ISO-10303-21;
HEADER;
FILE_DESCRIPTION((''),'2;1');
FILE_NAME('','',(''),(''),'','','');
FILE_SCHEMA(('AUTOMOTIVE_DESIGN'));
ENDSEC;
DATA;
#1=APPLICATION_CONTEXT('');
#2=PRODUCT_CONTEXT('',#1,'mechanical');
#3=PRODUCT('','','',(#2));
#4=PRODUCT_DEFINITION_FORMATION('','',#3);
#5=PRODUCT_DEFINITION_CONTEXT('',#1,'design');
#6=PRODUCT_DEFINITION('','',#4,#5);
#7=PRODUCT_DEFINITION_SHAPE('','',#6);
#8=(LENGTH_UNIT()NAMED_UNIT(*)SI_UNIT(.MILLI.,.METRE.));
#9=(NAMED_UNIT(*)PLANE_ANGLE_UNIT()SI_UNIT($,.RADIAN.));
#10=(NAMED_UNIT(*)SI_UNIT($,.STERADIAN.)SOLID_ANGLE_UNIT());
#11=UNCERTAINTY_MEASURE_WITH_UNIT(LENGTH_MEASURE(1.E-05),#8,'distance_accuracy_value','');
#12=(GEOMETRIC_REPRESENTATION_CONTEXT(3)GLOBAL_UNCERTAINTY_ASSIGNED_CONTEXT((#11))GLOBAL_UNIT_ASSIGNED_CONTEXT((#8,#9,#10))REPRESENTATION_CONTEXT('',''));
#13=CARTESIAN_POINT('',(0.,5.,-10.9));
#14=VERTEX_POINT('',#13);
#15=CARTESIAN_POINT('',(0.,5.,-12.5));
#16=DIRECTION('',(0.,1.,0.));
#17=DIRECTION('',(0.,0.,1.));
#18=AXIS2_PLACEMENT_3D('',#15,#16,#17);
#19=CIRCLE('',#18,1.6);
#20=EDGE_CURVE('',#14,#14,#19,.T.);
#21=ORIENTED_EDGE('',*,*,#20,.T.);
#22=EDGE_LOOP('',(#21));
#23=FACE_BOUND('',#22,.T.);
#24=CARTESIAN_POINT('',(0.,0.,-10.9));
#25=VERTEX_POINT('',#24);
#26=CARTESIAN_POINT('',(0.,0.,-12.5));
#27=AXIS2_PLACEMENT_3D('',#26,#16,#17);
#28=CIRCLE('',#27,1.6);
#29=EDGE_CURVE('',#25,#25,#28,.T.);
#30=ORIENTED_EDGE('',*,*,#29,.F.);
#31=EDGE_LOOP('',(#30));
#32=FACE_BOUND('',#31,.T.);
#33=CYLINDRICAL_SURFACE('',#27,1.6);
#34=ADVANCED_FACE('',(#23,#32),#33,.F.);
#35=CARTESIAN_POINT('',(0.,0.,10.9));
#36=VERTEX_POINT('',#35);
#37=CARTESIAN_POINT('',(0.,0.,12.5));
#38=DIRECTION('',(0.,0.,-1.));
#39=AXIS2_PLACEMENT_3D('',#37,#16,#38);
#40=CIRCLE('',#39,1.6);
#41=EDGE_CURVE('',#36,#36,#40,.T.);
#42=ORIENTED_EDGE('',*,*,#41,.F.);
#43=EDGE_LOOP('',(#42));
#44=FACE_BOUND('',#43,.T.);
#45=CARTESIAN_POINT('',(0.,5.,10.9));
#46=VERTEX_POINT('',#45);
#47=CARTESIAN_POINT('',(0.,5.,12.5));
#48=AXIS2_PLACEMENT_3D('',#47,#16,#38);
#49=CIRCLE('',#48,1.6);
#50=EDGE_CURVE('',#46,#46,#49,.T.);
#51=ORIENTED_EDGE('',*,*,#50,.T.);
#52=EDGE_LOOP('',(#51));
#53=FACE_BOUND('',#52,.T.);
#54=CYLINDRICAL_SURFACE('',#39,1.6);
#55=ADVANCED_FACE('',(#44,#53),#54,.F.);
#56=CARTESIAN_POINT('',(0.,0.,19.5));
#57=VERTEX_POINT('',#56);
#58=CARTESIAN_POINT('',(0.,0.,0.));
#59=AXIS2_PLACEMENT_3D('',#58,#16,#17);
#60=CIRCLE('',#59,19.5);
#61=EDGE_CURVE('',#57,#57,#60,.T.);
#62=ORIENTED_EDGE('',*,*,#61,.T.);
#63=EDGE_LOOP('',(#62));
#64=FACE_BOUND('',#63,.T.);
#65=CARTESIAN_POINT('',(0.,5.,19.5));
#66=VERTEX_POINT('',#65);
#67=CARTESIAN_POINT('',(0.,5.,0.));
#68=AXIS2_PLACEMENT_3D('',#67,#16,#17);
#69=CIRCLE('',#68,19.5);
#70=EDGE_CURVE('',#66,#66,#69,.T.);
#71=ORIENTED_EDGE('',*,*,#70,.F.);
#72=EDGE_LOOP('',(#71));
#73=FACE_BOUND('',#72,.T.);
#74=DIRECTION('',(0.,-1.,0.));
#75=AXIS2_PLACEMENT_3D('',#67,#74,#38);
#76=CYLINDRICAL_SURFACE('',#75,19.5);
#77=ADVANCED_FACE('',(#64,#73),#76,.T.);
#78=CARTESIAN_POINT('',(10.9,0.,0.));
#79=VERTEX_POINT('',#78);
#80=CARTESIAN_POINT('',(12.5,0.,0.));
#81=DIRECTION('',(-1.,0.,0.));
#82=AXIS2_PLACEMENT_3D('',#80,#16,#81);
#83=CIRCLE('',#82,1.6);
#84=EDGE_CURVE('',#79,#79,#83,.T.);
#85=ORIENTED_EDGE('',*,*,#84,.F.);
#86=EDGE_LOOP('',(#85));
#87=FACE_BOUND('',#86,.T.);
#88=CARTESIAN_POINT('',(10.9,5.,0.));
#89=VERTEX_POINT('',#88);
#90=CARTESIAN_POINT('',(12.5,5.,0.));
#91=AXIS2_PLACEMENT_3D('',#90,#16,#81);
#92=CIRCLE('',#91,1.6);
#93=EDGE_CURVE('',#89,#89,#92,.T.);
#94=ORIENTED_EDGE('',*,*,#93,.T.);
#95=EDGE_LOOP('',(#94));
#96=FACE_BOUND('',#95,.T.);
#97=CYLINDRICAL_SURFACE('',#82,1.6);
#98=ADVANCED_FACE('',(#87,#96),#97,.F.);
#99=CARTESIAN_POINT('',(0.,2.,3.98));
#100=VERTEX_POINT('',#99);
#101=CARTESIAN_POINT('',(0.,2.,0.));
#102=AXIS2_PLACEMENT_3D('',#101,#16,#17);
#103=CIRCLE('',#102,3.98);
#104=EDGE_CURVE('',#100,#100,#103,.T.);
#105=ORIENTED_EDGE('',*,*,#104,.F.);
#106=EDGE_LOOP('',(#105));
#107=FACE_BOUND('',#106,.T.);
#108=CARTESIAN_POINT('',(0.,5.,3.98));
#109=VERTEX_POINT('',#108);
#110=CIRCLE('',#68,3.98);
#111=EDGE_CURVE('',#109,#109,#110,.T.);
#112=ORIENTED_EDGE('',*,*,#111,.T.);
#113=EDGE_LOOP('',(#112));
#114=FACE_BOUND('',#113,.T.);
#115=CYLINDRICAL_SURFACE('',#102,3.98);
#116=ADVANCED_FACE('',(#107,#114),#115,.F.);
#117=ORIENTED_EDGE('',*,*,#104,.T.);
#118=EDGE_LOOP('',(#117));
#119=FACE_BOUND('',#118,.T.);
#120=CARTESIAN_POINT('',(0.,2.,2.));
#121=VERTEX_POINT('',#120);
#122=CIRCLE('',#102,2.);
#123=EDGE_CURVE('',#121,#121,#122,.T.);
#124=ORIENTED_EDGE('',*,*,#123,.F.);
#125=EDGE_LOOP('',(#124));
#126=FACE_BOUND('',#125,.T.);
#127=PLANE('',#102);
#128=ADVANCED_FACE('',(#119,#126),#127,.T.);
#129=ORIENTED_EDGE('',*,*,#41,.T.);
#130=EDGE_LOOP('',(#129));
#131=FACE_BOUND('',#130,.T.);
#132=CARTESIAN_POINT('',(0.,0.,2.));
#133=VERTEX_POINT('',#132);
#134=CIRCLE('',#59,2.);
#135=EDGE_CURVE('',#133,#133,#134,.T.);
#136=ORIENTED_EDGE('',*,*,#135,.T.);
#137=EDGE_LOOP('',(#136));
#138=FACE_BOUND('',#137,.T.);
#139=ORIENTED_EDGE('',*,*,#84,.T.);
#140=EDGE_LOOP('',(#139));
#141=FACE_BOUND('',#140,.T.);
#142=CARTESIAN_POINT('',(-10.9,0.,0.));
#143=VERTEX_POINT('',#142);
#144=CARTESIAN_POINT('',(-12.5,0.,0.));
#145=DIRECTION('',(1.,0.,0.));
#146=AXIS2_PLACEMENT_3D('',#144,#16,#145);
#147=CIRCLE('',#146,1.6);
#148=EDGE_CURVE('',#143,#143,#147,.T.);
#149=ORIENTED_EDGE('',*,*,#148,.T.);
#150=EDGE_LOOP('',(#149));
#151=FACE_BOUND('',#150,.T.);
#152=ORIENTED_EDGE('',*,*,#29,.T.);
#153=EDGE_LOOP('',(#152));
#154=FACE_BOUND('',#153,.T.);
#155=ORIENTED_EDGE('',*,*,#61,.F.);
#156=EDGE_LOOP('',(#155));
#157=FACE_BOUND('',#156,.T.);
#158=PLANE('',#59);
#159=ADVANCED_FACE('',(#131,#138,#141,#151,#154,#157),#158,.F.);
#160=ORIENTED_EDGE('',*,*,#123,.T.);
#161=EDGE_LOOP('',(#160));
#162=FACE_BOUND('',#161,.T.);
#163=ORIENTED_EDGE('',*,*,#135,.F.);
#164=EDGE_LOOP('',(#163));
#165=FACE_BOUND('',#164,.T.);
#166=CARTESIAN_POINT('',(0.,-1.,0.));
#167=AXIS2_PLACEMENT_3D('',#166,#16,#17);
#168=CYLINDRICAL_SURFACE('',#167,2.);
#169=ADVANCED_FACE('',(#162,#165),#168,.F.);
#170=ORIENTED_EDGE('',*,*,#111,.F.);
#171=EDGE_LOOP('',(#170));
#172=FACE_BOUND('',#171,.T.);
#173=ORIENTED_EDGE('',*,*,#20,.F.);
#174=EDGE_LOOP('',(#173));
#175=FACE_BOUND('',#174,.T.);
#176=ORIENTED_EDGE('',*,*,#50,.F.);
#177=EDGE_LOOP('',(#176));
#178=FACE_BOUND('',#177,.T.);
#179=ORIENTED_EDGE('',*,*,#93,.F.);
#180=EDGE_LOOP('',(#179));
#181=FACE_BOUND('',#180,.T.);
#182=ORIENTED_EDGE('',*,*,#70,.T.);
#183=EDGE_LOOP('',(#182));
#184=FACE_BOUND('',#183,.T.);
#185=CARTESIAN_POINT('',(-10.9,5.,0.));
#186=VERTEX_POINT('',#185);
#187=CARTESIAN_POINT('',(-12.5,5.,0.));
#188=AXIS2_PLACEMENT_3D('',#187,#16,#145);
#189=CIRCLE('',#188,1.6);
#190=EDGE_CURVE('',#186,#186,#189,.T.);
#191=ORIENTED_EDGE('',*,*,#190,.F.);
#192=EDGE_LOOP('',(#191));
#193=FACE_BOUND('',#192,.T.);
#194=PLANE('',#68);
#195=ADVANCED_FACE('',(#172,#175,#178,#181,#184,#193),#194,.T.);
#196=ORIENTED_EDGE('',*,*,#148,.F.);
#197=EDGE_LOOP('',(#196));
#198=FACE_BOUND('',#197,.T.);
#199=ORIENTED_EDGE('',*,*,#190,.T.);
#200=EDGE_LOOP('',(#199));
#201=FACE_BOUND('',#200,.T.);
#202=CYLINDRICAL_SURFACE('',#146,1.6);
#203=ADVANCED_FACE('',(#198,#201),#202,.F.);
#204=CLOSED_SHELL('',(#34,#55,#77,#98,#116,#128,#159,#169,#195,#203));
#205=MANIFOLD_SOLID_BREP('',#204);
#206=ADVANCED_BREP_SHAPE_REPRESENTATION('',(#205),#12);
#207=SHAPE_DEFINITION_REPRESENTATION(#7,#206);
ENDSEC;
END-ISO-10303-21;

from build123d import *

# Parameters (mm, degrees)
SKETCH1_R           = 19.5
BOSS_EXTRUDE1_DEPTH = 5
SKETCH2_R           = 3.98
CUT_EXTRUDE1_DEPTH  = 3
SKETCH3_R           = 2
CUT_EXTRUDE2_DEPTH  = 3
SKETCH4_R           = 1.6
CUT_EXTRUDE3_DEPTH  = 6
CIRPATTERN1_COUNT   = 4


with BuildPart() as part:
    # Sketch1 → Boss-Extrude1 (new body)
    with BuildSketch(Plane(origin=(0, 0, 0), x_dir=(1, 0, 0), z_dir=(0, 1, 0))):
        Circle(SKETCH1_R)
    extrude(amount=BOSS_EXTRUDE1_DEPTH)

    # Sketch2 → Cut-Extrude1 (cut)
    with BuildSketch(Plane(origin=(0, 5, 0), x_dir=(1, 0, 0), z_dir=(0, 1, 0))):
        Circle(SKETCH2_R)
    extrude(amount=-CUT_EXTRUDE1_DEPTH, mode=Mode.SUBTRACT)

    # Sketch3 → Cut-Extrude2 (cut)
    with BuildSketch(Plane(origin=(0, 2, 0), x_dir=(1, 0, 0), z_dir=(0, 1, 0))):
        Circle(SKETCH3_R)
    extrude(amount=-CUT_EXTRUDE2_DEPTH, mode=Mode.SUBTRACT)

    # Sketch4 → Cut-Extrude3 (cut, through all)
    with BuildSketch(Plane(origin=(0, 5, 0), x_dir=(1, 0, 0), z_dir=(0, 1, 0))):
        with Locations((0, 12.5)):
            Circle(SKETCH4_R)
    cut_extrude3 = extrude(amount=-CUT_EXTRUDE3_DEPTH, mode=Mode.SUBTRACT)

    # CirPattern1: Cut-Extrude3 ×4 about axis
    cirpattern1_axis = Axis((0, 0, 0), (0, 1, 0))
    for i in range(1, CIRPATTERN1_COUNT):
        add(cut_extrude3.rotate(cirpattern1_axis, i * 360 / CIRPATTERN1_COUNT), mode=Mode.SUBTRACT)


solid = part.part
